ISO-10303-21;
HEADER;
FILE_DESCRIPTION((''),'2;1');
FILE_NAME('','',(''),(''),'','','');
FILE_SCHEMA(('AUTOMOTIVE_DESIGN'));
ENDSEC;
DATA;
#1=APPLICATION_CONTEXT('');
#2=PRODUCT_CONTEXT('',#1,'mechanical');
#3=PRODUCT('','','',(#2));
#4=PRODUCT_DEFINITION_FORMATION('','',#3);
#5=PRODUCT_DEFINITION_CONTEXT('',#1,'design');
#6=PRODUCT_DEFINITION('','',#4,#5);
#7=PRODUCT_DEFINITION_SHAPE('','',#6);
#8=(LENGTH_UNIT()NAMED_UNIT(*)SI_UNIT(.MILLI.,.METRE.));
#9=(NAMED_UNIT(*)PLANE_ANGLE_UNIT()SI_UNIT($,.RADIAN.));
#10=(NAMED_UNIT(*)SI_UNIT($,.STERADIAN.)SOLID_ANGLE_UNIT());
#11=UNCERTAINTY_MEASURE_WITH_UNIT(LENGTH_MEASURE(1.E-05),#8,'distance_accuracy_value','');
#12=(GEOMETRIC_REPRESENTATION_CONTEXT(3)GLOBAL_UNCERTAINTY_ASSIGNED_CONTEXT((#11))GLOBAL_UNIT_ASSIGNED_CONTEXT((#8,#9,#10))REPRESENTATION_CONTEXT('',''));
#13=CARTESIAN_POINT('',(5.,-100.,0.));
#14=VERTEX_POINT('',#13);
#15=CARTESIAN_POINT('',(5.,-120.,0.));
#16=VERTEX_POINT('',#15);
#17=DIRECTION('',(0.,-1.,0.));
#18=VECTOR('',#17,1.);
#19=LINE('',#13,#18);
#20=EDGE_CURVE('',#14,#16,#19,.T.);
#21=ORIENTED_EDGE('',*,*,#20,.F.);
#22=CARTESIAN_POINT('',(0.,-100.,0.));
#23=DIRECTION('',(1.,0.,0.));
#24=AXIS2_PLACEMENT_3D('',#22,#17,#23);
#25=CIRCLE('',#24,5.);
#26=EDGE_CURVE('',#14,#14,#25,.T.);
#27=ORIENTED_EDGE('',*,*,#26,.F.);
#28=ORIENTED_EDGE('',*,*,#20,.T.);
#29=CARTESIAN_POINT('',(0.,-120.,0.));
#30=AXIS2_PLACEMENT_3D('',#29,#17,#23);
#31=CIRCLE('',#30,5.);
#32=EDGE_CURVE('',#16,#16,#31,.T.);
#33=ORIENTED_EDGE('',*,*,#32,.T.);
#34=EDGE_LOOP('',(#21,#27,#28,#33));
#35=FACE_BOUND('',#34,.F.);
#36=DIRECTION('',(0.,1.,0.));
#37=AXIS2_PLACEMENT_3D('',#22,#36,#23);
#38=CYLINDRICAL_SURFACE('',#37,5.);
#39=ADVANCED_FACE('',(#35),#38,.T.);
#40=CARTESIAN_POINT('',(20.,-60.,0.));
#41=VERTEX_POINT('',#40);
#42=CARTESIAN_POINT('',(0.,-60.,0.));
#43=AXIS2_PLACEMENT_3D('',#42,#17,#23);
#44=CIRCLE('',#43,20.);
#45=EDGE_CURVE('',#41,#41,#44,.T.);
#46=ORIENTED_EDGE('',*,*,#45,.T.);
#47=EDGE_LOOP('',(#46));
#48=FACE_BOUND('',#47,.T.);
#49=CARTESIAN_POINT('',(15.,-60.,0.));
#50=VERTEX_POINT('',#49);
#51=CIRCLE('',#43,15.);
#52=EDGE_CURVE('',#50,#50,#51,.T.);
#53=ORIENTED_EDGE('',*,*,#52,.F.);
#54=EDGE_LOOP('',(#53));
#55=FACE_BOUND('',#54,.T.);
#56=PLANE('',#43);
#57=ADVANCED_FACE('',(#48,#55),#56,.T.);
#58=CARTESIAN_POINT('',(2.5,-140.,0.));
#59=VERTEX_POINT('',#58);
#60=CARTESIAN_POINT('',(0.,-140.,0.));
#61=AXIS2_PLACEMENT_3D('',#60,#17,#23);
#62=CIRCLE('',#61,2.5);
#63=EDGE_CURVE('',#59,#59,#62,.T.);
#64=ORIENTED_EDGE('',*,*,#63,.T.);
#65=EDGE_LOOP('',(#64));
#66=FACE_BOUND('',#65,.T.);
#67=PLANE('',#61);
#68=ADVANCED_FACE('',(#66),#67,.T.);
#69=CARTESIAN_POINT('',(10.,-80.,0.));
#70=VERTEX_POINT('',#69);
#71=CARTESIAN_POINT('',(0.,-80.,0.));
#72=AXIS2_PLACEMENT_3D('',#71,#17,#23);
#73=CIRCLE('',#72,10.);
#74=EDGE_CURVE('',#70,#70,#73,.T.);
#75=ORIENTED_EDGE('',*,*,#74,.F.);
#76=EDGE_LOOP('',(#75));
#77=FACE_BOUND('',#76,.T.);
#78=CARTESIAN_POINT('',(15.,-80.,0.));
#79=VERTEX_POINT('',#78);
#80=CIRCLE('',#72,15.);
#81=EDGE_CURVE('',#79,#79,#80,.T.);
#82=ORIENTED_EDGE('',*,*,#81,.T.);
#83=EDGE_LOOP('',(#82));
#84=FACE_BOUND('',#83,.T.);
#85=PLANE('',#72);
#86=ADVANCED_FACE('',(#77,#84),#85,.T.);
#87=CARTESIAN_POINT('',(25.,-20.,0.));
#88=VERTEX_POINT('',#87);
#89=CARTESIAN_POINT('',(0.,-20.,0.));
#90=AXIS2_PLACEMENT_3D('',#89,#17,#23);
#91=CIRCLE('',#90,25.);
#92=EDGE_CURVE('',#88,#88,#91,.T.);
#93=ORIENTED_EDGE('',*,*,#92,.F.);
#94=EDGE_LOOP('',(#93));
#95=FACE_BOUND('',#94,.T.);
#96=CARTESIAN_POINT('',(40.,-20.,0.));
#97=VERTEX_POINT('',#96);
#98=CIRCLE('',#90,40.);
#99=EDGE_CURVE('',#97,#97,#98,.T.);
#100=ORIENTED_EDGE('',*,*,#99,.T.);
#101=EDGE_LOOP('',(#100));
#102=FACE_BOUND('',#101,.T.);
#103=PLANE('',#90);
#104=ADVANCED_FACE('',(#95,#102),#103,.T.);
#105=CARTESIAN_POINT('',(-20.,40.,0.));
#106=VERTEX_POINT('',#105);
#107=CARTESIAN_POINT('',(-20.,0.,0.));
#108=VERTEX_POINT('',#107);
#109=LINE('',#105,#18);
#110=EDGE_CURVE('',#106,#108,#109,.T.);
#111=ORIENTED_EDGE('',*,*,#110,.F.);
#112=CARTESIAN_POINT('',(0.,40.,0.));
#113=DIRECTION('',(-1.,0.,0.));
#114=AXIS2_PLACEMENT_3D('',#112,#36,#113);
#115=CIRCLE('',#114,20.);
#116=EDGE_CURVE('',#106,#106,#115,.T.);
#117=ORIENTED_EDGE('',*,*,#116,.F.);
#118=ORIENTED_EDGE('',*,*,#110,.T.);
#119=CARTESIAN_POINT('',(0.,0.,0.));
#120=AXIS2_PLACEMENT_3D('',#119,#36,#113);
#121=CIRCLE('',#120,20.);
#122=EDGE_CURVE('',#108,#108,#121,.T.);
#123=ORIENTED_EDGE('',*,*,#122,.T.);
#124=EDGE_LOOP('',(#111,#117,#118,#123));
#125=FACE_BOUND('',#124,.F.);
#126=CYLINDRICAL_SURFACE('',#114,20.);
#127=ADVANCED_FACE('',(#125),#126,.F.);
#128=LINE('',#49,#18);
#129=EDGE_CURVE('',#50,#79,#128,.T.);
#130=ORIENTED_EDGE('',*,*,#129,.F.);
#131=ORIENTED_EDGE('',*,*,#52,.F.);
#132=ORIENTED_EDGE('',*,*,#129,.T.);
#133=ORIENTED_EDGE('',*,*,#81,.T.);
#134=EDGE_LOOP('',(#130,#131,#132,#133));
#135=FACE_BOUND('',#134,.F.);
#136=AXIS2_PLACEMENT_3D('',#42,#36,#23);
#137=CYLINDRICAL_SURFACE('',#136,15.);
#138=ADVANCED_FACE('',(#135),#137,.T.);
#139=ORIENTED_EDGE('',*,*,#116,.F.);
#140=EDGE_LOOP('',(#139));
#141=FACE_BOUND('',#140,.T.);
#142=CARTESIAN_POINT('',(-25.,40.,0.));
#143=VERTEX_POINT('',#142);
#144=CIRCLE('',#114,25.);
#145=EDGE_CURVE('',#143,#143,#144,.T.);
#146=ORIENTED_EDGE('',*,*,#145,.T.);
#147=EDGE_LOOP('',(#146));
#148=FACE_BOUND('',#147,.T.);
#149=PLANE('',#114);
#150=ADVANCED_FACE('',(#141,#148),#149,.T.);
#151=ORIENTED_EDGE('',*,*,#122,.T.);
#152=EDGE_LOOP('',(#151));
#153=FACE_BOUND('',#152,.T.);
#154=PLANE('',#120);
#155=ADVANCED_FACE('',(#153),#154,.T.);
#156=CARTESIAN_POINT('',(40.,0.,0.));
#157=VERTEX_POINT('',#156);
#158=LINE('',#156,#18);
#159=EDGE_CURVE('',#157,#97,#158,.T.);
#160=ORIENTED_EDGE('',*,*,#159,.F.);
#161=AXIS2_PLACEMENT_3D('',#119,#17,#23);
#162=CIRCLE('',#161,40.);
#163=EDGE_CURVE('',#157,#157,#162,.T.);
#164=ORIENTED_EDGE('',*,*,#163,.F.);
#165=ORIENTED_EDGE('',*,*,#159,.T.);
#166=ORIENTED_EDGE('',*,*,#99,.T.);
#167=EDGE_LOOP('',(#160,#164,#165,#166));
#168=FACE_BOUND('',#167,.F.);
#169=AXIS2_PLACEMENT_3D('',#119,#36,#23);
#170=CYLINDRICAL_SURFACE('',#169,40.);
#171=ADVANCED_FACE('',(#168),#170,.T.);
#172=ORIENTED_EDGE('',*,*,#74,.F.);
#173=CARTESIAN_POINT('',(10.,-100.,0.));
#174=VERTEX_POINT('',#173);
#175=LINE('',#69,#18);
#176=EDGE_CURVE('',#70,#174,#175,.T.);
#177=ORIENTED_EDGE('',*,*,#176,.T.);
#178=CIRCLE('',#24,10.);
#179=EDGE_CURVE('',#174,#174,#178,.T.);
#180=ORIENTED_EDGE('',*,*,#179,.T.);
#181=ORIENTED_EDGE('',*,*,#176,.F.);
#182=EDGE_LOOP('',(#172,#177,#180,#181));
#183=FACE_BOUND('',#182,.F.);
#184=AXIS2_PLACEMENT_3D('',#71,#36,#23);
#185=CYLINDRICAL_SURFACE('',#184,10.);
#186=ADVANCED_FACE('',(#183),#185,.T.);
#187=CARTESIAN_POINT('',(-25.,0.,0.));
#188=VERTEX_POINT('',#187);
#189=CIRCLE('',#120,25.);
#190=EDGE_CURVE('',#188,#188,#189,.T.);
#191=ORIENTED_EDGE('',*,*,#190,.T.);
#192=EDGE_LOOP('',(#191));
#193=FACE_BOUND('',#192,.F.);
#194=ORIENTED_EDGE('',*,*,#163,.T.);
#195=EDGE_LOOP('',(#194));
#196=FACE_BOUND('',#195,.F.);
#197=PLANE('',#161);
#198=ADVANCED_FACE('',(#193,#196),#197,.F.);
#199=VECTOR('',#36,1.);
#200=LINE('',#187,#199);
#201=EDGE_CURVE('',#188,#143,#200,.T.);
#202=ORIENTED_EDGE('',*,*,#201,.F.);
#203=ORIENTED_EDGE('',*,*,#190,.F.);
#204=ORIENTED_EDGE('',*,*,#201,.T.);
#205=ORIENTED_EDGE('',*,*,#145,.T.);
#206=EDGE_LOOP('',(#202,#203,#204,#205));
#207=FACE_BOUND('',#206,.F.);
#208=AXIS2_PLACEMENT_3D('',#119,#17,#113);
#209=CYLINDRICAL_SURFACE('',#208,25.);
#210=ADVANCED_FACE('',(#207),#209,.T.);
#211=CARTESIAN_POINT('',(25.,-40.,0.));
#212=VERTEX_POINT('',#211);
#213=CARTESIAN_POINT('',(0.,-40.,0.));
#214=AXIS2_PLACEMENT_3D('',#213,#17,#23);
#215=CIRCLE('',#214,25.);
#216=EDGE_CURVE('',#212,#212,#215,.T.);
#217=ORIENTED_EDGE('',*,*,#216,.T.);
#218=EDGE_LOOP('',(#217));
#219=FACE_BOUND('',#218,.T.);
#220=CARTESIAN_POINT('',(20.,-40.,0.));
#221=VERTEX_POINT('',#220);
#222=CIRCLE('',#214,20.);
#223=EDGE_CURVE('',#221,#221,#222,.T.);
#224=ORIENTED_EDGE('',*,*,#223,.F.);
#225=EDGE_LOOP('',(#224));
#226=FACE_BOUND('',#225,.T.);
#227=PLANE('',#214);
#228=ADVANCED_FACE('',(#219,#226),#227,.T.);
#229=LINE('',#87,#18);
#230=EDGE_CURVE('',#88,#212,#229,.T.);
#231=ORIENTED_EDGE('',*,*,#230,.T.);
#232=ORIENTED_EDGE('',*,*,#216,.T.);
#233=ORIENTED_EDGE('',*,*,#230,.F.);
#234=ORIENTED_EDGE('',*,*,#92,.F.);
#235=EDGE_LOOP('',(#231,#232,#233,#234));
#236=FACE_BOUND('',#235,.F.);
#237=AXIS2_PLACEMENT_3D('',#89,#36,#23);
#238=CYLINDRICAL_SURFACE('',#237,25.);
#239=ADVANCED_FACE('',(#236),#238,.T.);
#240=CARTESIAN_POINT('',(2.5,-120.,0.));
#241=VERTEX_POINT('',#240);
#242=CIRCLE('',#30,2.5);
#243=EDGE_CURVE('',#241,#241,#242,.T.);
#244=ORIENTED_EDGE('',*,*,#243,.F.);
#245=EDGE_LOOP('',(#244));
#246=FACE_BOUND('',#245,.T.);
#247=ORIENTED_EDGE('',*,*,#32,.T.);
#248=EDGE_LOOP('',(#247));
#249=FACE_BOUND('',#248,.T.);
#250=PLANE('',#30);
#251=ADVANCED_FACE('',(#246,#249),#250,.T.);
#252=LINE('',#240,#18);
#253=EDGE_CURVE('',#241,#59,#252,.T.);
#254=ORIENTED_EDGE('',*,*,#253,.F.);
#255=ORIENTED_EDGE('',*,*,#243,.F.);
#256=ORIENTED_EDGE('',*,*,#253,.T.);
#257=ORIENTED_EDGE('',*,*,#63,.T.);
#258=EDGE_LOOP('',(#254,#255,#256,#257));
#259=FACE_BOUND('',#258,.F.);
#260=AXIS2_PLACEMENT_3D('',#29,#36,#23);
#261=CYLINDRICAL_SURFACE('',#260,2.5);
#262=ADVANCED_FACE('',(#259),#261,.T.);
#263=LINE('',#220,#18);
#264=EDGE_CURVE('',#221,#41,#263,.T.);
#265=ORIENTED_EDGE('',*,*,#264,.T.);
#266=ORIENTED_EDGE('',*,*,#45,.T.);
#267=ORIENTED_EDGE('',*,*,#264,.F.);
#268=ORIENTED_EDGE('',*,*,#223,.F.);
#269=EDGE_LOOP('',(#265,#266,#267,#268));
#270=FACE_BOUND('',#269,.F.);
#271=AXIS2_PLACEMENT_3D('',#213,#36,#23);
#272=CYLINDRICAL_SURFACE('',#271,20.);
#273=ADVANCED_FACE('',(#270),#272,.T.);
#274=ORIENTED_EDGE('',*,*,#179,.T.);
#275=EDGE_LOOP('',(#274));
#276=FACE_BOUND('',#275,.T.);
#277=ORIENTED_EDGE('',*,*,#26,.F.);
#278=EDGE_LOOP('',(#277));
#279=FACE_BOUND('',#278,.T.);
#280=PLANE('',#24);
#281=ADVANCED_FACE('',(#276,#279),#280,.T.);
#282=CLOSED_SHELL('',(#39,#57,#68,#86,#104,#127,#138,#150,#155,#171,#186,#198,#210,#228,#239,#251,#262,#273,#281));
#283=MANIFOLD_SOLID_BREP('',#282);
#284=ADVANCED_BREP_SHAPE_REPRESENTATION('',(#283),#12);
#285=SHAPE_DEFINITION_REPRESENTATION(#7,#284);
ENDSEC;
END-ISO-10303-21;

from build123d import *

# Parameters (mm, degrees)
F0_R      = 40
F1_DEPTH  = 20
F2_R      = 25
F3_DEPTH  = 20
F4_R      = 20
F5_DEPTH  = 20
F6_R      = 15
F7_DEPTH  = 20
F8_R      = 10
F9_DEPTH  = 20
F10_R     = 5
F11_DEPTH = 20
F12_R     = 2.5
F13_DEPTH = 20
F14_R     = 25
F15_DEPTH = 40
F16_R     = 20
F17_DEPTH = 40


with BuildPart() as f1:
    # F0 (on Front) → F1 (new body)
    with BuildSketch(Plane.XZ):
        Circle(F0_R)
    extrude(amount=F1_DEPTH)

    # F2 (on face) → F3 (join)
    with BuildSketch(Plane.XZ.offset(20)):
        Circle(F2_R)
    extrude(amount=F3_DEPTH)

    # F4 (on face) → F5 (join)
    with BuildSketch(Plane.XZ.offset(40)):
        Circle(F4_R)
    extrude(amount=F5_DEPTH)

    # F6 (on face) → F7 (join)
    with BuildSketch(Plane.XZ.offset(60)):
        Circle(F6_R)
    extrude(amount=F7_DEPTH)

    # F8 (on face) → F9 (join)
    with BuildSketch(Plane.XZ.offset(80)):
        Circle(F8_R)
    extrude(amount=F9_DEPTH)

    # F10 (on face) → F11 (join)
    with BuildSketch(Plane.XZ.offset(100)):
        Circle(F10_R)
    extrude(amount=F11_DEPTH)

    # F12 (on face) → F13 (join)
    with BuildSketch(Plane.XZ.offset(120)):
        Circle(F12_R)
    extrude(amount=F13_DEPTH)

    # F14 (on face) → F15 (join)
    with BuildSketch(Plane(origin=(0, 0, 0), x_dir=(-1, 0, 0), z_dir=(0, 1, 0))):
        Circle(F14_R)
    extrude(amount=F15_DEPTH)

    # F16 (on face) → F17 (cut)
    with BuildSketch(Plane(origin=(0, 40, 0), x_dir=(-1, 0, 0), z_dir=(0, 1, 0))):
        Circle(F16_R)
    extrude(amount=-F17_DEPTH, mode=Mode.SUBTRACT)


solid = f1.part
